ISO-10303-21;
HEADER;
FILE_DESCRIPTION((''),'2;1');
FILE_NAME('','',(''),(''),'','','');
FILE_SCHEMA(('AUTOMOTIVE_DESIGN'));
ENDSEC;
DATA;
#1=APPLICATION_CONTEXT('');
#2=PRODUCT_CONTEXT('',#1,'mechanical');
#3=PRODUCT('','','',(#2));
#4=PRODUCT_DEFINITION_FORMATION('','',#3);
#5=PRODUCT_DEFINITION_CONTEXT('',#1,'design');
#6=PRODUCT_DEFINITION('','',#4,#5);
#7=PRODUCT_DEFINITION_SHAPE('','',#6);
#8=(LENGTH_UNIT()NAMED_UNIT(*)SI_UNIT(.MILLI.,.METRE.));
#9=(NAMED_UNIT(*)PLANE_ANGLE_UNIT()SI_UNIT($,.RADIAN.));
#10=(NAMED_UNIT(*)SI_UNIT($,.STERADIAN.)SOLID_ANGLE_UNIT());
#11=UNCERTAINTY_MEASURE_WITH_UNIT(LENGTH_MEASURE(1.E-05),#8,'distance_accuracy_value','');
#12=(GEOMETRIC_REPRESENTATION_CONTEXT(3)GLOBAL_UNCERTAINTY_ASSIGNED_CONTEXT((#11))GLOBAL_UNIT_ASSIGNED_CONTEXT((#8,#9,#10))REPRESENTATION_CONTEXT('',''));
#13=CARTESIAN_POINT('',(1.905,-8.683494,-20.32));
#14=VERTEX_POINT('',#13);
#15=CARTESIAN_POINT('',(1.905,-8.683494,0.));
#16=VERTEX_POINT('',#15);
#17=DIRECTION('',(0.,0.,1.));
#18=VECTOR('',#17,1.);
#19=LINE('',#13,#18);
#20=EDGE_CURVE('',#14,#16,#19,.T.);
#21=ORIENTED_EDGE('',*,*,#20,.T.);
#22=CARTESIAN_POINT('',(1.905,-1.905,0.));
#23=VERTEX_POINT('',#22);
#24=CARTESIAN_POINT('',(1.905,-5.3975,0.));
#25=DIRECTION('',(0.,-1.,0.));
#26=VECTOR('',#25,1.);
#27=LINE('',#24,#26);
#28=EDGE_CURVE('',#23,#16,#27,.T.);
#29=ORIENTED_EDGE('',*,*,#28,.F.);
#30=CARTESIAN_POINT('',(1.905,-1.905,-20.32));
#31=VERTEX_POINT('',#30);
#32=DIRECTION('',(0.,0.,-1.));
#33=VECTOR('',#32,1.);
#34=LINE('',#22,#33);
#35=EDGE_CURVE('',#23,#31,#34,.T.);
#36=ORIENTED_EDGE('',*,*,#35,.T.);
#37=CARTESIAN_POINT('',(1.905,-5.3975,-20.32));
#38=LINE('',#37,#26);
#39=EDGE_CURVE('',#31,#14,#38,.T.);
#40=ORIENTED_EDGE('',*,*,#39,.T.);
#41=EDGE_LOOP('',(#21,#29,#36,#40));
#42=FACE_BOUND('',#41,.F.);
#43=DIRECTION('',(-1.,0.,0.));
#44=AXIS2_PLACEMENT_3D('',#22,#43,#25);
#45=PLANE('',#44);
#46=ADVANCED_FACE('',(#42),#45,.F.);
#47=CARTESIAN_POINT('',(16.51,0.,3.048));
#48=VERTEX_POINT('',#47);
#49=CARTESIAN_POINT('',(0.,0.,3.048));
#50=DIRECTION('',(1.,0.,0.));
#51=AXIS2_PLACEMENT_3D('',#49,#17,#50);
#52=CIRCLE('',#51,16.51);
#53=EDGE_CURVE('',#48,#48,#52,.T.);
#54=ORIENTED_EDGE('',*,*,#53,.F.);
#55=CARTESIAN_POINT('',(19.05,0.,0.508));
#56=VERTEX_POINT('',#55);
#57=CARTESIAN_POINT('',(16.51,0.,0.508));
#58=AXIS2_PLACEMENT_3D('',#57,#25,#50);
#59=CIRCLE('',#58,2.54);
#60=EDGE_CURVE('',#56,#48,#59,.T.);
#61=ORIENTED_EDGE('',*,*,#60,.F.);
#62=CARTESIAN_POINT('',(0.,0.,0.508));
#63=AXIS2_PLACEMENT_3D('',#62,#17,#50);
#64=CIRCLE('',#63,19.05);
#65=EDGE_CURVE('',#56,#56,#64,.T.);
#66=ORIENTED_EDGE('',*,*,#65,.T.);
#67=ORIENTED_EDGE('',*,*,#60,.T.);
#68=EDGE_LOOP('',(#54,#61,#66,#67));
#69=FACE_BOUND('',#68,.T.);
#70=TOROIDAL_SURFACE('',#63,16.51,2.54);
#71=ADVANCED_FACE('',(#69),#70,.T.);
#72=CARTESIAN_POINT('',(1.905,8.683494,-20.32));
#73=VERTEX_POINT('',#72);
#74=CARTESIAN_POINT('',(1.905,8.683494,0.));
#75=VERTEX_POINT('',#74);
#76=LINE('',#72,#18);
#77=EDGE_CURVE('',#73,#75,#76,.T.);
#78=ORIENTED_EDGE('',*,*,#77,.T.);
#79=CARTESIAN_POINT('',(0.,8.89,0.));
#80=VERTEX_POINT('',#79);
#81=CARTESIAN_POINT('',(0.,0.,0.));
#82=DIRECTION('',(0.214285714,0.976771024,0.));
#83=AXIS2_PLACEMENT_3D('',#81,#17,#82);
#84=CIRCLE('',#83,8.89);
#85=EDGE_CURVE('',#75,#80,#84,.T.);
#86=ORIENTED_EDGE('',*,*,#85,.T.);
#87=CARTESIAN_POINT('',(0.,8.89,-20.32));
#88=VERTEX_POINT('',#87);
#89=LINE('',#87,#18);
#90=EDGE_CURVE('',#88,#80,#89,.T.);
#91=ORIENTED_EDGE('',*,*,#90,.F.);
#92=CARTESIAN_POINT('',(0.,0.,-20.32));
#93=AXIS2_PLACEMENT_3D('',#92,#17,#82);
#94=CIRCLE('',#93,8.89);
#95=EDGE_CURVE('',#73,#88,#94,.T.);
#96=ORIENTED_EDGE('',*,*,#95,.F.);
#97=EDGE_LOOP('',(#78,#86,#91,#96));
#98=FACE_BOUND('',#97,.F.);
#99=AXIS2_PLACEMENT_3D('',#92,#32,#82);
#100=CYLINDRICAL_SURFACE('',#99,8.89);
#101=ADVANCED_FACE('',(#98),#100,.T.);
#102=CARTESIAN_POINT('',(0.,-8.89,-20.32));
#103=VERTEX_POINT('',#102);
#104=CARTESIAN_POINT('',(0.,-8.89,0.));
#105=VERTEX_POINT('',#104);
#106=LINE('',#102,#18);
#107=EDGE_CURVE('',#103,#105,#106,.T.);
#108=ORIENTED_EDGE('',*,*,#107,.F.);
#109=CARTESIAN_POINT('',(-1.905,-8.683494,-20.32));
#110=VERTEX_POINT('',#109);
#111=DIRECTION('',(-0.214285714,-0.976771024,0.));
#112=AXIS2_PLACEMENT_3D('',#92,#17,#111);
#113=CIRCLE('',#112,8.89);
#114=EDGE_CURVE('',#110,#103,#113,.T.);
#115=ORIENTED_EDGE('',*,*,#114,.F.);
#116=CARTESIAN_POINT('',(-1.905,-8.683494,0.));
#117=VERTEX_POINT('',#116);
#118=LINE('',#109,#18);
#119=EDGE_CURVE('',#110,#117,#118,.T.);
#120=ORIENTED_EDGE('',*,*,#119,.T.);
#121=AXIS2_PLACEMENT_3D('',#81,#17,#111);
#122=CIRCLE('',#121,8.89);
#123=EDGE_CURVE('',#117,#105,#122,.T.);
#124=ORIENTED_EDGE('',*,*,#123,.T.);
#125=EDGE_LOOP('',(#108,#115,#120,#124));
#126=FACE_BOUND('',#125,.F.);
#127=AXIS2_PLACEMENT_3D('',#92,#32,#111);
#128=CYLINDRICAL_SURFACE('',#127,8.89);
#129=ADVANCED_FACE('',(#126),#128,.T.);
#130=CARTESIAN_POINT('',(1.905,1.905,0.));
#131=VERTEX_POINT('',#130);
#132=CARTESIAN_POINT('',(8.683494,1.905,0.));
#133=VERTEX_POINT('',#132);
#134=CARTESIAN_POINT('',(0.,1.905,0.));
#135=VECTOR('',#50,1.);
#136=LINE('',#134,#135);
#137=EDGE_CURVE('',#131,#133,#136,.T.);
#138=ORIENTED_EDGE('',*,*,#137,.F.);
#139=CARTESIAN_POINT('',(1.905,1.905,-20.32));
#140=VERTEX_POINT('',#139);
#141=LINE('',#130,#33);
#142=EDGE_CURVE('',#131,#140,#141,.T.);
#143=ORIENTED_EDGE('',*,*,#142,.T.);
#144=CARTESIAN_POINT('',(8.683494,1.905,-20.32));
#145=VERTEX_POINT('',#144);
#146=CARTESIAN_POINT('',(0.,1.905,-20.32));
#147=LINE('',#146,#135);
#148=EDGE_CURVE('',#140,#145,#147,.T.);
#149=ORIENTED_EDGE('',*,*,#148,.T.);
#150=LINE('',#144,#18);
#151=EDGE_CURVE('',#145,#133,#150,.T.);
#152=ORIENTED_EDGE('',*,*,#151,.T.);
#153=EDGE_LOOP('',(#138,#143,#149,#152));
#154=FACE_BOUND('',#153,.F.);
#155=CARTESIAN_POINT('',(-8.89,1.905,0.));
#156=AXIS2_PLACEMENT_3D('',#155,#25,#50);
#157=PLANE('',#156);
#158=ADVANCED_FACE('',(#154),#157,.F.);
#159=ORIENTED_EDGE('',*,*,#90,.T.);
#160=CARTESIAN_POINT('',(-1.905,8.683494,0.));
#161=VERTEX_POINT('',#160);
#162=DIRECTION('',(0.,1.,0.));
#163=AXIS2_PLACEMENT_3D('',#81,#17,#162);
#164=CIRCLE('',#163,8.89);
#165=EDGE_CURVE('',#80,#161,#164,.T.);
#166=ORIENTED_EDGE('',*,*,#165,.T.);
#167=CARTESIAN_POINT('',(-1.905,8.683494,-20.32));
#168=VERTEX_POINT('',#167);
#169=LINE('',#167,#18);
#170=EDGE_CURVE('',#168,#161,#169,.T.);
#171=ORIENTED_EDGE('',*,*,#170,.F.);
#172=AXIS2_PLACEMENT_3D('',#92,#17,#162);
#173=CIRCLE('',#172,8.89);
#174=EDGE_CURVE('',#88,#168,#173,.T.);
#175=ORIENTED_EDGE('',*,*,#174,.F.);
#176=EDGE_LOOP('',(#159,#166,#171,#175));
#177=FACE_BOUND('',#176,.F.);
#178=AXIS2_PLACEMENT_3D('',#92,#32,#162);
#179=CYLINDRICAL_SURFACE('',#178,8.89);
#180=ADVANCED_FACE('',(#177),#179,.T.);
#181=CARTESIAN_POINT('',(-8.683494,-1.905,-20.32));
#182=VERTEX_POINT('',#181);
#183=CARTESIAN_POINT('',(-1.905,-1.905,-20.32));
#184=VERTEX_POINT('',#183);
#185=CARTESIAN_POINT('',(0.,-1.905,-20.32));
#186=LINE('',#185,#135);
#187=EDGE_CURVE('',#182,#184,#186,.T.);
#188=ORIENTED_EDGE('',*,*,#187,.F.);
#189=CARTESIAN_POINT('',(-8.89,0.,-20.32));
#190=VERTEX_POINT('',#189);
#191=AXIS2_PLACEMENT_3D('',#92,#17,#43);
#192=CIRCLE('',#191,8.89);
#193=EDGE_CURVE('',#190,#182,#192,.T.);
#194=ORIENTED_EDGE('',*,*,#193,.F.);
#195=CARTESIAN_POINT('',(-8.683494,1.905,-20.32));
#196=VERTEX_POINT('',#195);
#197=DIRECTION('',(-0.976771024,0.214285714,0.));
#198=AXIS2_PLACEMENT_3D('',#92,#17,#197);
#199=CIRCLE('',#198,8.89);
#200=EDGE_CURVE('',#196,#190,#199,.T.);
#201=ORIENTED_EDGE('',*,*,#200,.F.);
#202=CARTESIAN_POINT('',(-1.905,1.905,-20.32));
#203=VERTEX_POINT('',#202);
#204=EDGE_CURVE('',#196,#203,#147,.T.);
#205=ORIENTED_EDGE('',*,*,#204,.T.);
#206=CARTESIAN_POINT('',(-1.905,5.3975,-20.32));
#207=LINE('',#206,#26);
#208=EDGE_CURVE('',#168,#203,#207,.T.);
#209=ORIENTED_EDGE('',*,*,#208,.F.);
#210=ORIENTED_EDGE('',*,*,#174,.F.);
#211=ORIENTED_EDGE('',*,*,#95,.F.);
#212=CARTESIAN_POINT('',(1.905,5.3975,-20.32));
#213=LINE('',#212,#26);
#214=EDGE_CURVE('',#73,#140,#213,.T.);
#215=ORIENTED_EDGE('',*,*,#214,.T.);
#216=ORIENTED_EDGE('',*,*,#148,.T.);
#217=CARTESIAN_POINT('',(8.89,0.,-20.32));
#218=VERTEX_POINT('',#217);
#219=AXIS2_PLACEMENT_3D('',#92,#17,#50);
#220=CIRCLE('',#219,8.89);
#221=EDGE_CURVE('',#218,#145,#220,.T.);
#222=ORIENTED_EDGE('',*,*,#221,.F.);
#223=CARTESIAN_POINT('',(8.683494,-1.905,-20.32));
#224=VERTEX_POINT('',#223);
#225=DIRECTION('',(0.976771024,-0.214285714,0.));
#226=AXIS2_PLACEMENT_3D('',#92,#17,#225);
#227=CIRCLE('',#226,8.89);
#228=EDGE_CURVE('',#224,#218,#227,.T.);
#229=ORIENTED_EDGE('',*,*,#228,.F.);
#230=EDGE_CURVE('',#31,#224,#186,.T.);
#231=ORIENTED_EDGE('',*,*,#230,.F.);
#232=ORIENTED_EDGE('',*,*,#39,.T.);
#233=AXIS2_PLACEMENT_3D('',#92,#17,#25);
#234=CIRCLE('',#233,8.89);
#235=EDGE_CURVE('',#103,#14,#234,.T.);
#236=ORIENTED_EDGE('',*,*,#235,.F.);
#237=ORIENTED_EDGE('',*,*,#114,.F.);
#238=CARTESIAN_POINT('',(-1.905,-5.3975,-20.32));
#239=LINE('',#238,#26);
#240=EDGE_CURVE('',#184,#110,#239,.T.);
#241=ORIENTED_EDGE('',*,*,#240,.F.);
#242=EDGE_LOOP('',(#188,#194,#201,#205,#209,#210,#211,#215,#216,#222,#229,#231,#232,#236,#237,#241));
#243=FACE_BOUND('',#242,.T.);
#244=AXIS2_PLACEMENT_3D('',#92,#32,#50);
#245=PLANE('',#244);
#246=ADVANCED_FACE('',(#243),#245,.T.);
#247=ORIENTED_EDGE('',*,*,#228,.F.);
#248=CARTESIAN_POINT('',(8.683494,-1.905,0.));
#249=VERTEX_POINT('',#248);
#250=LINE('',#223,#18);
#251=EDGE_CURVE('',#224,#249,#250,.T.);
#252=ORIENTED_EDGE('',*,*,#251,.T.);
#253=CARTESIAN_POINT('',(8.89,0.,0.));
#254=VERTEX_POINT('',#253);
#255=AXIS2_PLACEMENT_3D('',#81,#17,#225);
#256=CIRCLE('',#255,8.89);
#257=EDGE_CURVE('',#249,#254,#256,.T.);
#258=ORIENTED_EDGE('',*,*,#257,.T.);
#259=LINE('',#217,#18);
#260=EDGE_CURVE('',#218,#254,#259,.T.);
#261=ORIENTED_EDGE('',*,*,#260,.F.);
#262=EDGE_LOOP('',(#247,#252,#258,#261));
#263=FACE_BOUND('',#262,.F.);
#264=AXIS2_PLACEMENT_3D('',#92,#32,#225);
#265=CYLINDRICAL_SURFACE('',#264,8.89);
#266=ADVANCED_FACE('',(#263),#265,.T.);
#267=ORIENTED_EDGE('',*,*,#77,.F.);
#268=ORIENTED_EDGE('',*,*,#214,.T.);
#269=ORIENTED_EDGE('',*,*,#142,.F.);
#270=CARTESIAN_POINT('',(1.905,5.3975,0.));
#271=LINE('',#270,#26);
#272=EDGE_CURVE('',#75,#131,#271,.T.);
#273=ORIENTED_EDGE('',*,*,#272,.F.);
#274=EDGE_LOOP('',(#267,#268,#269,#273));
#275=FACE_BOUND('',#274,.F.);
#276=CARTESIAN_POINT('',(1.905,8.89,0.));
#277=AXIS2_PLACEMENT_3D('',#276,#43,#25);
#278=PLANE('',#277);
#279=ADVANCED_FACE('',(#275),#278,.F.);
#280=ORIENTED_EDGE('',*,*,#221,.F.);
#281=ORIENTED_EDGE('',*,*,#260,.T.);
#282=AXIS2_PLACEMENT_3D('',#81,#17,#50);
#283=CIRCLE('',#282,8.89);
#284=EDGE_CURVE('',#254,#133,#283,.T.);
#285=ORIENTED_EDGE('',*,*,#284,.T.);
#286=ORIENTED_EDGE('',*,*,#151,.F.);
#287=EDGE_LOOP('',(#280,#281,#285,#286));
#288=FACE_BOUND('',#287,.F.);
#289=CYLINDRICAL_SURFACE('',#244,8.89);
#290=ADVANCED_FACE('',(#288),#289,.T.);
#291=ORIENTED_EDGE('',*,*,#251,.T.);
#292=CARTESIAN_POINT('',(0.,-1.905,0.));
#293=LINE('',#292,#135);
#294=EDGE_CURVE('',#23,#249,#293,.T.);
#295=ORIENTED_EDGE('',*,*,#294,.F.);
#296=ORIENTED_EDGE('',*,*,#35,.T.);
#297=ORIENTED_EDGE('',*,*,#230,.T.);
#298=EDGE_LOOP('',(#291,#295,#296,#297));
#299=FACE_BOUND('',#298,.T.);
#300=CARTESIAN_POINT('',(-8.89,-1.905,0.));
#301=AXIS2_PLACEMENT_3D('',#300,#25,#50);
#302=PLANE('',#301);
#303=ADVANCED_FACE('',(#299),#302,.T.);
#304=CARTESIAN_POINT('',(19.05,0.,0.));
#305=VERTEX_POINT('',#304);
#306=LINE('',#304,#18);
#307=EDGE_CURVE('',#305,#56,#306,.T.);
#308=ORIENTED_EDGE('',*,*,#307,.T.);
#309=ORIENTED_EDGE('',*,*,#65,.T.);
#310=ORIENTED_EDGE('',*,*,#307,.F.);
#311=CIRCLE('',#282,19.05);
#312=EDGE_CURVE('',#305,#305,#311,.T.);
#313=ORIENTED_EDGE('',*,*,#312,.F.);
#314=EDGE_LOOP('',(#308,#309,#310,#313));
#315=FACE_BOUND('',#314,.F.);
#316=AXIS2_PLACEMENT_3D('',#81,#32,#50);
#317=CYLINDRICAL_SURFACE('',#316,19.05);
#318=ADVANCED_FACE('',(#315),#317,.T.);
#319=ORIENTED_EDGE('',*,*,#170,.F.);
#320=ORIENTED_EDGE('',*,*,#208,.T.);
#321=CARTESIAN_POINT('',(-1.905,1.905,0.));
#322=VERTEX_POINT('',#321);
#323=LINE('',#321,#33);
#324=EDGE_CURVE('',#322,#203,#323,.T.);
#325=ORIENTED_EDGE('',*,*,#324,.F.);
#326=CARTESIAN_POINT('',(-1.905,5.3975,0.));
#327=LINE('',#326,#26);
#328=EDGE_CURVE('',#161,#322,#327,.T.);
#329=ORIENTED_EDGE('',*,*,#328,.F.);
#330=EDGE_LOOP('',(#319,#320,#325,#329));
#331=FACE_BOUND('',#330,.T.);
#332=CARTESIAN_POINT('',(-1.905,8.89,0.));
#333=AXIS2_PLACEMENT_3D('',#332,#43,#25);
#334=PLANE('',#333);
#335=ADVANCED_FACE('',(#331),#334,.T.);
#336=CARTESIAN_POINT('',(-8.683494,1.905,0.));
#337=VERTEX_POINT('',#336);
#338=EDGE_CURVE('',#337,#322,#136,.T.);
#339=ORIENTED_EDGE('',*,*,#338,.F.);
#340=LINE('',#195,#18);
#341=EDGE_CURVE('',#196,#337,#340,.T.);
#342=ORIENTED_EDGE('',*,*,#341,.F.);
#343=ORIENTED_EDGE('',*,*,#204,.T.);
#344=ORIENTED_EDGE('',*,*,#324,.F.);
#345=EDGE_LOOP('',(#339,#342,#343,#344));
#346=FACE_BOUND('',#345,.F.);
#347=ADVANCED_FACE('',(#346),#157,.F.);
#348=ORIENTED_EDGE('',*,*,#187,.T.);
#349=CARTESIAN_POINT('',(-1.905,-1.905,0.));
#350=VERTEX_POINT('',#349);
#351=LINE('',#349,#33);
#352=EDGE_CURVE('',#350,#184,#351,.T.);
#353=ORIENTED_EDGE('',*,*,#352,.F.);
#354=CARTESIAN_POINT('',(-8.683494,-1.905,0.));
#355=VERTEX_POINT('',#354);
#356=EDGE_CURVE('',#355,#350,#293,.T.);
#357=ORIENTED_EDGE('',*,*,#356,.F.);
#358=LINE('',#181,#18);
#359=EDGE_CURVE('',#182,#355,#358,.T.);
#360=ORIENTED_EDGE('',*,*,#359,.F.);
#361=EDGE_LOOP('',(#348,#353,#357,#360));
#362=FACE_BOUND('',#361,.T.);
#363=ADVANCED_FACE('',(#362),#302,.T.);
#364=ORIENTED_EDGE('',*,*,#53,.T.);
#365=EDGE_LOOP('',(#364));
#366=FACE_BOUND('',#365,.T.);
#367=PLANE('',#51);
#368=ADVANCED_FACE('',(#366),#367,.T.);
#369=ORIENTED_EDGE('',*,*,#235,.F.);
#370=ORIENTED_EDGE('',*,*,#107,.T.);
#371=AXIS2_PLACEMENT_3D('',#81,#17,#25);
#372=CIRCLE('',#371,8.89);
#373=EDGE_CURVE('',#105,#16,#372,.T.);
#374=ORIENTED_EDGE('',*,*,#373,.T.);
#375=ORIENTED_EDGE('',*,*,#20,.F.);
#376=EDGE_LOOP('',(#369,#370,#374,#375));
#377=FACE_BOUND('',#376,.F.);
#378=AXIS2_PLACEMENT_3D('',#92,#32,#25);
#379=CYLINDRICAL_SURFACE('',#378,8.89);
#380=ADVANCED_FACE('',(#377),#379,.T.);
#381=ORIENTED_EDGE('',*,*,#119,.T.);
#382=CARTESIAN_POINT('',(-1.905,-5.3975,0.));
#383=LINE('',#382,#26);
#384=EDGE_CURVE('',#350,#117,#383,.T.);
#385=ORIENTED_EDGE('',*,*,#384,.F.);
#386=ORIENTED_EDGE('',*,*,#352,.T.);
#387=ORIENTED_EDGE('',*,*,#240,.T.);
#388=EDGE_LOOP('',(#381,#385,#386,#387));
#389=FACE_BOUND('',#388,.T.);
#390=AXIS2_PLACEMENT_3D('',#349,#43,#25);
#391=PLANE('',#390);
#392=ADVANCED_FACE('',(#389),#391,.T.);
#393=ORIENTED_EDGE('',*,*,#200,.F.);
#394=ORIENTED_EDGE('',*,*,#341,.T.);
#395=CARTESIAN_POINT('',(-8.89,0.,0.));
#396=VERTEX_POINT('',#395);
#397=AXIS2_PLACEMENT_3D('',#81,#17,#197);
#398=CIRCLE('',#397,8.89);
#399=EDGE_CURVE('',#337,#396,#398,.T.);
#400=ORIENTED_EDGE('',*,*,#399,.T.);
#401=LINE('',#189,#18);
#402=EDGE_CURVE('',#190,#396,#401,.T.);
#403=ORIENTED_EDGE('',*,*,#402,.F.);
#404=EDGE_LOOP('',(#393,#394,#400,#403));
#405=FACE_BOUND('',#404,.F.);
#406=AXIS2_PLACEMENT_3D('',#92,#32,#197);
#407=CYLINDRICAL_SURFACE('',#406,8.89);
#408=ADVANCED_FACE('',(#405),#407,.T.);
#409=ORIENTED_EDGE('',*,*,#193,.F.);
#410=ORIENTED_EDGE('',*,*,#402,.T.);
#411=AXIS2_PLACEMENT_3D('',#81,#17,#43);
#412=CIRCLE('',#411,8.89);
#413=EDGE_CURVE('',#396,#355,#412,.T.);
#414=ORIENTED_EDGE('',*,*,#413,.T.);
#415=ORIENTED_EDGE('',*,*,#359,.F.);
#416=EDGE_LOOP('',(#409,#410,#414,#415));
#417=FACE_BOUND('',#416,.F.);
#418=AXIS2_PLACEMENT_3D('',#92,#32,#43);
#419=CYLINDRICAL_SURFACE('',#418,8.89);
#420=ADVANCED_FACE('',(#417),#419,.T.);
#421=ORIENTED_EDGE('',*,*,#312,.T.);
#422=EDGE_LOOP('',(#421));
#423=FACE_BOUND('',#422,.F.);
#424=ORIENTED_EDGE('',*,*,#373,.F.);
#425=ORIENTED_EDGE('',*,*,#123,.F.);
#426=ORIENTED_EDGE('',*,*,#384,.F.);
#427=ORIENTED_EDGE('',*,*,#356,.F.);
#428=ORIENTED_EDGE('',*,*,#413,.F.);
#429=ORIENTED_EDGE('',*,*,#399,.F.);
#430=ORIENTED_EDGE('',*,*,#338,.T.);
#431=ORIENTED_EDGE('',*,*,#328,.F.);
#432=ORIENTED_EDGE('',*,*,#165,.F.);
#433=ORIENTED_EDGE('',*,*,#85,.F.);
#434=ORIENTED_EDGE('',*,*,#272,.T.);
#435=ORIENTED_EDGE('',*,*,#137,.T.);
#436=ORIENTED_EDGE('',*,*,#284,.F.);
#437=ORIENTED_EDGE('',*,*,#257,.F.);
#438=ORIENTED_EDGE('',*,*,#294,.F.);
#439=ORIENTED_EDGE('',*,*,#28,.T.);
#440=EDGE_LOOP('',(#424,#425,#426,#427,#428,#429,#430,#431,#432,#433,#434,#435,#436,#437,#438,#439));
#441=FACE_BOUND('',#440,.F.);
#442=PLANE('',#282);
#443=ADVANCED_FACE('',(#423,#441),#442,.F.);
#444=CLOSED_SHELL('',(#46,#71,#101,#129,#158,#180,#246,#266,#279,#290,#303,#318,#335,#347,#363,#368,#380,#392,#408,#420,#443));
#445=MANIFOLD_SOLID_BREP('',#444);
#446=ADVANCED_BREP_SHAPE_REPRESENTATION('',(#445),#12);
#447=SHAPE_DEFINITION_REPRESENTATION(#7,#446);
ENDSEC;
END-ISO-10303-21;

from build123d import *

# Parameters (mm, degrees)
F0_R      = 19.05
F1_DEPTH  = 3.048
F2_R      = 2.54
F3_W      = 17.78
F3_H      = 3.81
F4_W      = 3.81
F4_H      = 6.985
F4_W_2    = 6.985
F4_H_2    = 3.81
F5_DEPTH  = 20.32
F7_DEPTH  = 20.32
F8_DEPTH  = 20.32
F9_DEPTH  = 20.32
F10_DEPTH = 20.32
F11_DEPTH = 20.32


with BuildPart() as f1:
    # F0 (on Top) → F1 (new body)
    with BuildSketch(Plane.XY):
        Circle(F0_R)
    extrude(amount=F1_DEPTH)

    # F2
    f2_edges = [f1.edges().sort_by_distance(p)[0] for p in [
        (-19.05, 0, 3.048),
    ]]
    fillet(f2_edges, radius=F2_R)

    # F3 (on face) + F4 (on face) → F5 (join)
    with BuildSketch(Plane(origin=(0, 0, 0), x_dir=(1, 0, 0), z_dir=(0, 0, -1))):
        Rectangle(F3_W, F3_H)
    with BuildSketch(Plane(origin=(0, 0, 0), x_dir=(1, 0, 0), z_dir=(0, 0, -1))):
        with Locations((0, -5.3975)):
            Rectangle(F4_W, F4_H)
        with Locations((0, 5.3975)):
            Rectangle(F4_W, F4_H)
        with Locations((-5.3975, 0)):
            Rectangle(F4_W_2, F4_H_2)
        with Locations((5.3975, 0)):
            Rectangle(F4_W_2, F4_H_2)
        Rectangle(F4_W, F4_H_2)
    extrude(amount=F5_DEPTH)

    # F6 (on face) → F7 (cut)
    with BuildSketch(Plane(origin=(0, 0, -20.32), x_dir=(1, 0, 0), z_dir=(0, 0, -1))):
        with BuildLine():
            ThreePointArc((0, 8.89), (0.9580800544, 8.8382228196), (1.905, 8.6834944003))
            Line((1.905, 8.6834944003), (1.905, 8.89))
            Line((1.905, 8.89), (0, 8.89))
        make_face()
    extrude(amount=-F7_DEPTH, mode=Mode.SUBTRACT)

    # F6 (on face) → F8 (cut)
    with BuildSketch(Plane(origin=(0, 0, -20.32), x_dir=(1, 0, 0), z_dir=(0, 0, -1))):
        with BuildLine():
            ThreePointArc((-1.905, 8.6834944003), (-0.9580800544, 8.8382228196), (0, 8.89))
            Line((0, 8.89), (-1.905, 8.89))
            Line((-1.905, 8.89), (-1.905, 8.6834944003))
        make_face()
    extrude(amount=-F8_DEPTH, mode=Mode.SUBTRACT)

    # F6 (on face) → F9 (cut)
    with BuildSketch(Plane(origin=(0, 0, -20.32), x_dir=(1, 0, 0), z_dir=(0, 0, -1))):
        with BuildLine():
            Line((-8.89, -1.905), (-8.6834944003, -1.905))
            ThreePointArc((-8.6834944003, -1.905), (-8.8382228196, -0.9580800544), (-8.89, 0))
            Line((-8.89, 0), (-8.89, -1.905))
        make_face()
    extrude(amount=-F9_DEPTH, mode=Mode.SUBTRACT)

    # F6 (on face) → F10 (cut)
    with BuildSketch(Plane(origin=(0, 0, -20.32), x_dir=(1, 0, 0), z_dir=(0, 0, -1))):
        with BuildLine():
            ThreePointArc((-8.89, 0), (-8.8382228196, 0.9580800544), (-8.6834944003, 1.905))
            Line((-8.6834944003, 1.905), (-8.89, 1.905))
            Line((-8.89, 1.905), (-8.89, 0))
        make_face()
    extrude(amount=-F10_DEPTH, mode=Mode.SUBTRACT)

    # F6 (on face) → F11 (cut)
    with BuildSketch(Plane(origin=(0, 0, -20.32), x_dir=(1, 0, 0), z_dir=(0, 0, -1))):
        with BuildLine():
            Line((1.905, -8.89), (1.905, -8.6834944003))
            ThreePointArc((1.905, -8.6834944003), (0.9580800544, -8.8382228196), (0, -8.89))
            Line((0, -8.89), (1.905, -8.89))
        make_face()
        with BuildLine():
            Line((-1.905, -8.89), (0, -8.89))
            ThreePointArc((0, -8.89), (-0.9580800544, -8.8382228196), (-1.905, -8.6834944003))
            Line((-1.905, -8.6834944003), (-1.905, -8.89))
        make_face()
        with BuildLine():
            Line((8.89, -1.905), (8.89, 0))
            ThreePointArc((8.89, 0), (8.8382228196, -0.9580800544), (8.6834944003, -1.905))
            Line((8.6834944003, -1.905), (8.89, -1.905))
        make_face()
        with BuildLine():
            ThreePointArc((8.6834944003, 1.905), (8.8382228196, 0.9580800544), (8.89, 0))
            Line((8.89, 0), (8.89, 1.905))
            Line((8.89, 1.905), (8.6834944003, 1.905))
        make_face()
    extrude(amount=-F11_DEPTH, mode=Mode.SUBTRACT)


solid = f1.part
